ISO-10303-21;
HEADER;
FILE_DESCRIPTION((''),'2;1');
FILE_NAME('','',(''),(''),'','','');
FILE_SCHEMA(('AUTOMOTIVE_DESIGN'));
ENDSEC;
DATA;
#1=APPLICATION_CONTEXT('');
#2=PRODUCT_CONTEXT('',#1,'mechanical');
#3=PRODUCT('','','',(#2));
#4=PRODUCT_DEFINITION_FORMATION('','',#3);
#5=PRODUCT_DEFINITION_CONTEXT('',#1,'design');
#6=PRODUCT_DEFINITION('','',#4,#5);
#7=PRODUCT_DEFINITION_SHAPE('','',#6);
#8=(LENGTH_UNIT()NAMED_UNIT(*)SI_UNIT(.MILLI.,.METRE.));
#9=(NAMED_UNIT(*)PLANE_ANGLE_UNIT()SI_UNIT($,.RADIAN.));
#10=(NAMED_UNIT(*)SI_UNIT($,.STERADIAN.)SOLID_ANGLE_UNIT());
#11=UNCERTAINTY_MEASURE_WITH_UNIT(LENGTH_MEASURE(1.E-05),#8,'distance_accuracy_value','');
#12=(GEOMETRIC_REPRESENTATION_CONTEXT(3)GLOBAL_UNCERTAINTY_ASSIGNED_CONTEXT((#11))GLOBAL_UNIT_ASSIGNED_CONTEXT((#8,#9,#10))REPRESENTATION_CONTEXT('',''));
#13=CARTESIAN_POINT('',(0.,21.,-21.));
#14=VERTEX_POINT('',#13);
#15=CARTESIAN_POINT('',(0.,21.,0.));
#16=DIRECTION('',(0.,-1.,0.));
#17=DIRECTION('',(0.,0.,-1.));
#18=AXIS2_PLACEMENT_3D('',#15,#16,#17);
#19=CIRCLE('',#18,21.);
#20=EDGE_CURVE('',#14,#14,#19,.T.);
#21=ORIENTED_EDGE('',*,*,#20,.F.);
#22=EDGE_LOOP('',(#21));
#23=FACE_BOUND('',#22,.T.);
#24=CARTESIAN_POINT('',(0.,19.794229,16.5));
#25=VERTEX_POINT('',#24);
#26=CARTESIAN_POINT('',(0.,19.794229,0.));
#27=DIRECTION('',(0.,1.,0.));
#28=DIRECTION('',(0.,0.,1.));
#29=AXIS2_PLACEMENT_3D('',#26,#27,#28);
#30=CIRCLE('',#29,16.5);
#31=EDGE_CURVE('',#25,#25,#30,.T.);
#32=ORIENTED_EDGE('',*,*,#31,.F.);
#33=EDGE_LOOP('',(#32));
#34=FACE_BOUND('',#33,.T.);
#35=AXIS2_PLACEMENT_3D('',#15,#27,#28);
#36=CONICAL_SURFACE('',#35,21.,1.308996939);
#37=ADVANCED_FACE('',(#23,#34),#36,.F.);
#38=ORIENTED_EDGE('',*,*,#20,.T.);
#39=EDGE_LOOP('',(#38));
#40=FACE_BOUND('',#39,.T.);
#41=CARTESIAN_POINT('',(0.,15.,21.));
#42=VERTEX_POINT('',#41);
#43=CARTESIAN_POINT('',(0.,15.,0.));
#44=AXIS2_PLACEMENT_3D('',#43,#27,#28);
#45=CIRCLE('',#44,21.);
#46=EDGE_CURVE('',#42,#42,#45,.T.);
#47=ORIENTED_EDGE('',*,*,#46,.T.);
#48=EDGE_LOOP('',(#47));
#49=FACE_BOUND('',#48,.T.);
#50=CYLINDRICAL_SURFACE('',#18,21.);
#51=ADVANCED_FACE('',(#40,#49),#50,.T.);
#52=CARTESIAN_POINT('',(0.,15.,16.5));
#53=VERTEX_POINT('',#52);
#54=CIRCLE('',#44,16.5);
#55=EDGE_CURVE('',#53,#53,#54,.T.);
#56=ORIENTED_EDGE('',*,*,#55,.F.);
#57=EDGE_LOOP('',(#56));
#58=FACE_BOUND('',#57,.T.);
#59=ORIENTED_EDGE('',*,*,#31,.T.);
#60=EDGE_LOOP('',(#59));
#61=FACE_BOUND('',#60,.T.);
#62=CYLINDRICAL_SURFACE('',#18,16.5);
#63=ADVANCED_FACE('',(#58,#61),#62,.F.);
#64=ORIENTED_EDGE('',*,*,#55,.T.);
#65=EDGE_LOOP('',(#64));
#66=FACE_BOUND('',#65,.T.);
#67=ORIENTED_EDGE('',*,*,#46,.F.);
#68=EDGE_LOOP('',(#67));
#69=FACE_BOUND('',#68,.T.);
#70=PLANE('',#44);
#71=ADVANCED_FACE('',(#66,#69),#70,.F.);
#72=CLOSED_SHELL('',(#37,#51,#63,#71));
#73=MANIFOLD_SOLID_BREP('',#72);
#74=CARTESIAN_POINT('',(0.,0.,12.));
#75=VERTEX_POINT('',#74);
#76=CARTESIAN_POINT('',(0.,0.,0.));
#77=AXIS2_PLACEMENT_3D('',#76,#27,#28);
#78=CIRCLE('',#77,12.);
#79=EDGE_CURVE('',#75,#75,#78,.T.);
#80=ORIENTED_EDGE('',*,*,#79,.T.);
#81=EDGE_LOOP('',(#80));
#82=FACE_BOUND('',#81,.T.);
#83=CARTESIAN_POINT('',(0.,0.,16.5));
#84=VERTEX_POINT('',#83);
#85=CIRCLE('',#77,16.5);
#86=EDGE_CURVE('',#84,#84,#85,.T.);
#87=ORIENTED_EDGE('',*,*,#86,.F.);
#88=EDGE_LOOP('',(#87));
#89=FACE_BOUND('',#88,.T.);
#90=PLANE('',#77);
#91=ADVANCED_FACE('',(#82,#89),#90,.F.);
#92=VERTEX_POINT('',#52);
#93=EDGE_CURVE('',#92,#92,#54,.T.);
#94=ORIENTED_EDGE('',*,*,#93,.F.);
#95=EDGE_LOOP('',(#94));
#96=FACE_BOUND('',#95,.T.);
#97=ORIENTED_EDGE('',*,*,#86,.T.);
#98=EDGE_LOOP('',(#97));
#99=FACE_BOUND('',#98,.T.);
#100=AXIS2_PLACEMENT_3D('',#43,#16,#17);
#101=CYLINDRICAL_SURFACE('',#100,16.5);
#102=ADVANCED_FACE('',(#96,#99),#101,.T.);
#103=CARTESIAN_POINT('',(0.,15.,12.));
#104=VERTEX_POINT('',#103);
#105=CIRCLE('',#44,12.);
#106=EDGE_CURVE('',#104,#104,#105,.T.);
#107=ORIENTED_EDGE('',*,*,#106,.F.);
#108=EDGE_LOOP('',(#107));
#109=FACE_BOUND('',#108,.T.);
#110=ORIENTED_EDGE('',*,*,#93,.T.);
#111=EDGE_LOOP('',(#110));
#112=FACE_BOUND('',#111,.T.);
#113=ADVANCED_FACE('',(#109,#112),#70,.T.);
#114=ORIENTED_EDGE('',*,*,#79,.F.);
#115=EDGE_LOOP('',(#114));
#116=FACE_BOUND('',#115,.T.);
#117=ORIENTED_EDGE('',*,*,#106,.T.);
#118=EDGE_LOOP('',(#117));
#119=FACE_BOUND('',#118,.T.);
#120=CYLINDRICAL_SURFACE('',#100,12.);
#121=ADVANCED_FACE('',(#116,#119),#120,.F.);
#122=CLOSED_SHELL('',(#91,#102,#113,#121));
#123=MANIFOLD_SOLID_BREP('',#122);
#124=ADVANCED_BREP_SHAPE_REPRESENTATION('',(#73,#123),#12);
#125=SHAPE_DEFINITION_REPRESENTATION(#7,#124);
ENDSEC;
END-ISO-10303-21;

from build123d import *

# Parameters (mm, degrees)
SKETCH1_R           = 16.5
SKETCH1_R_2         = 12
BOSS_EXTRUDE1_DEPTH = 15
SKETCH2_R           = 21
SKETCH2_R_2         = 16.5
BOSS_EXTRUDE2_DEPTH = 6


with BuildPart() as part:
    # Sketch1 → Boss-Extrude1 (new body)
    with BuildSketch(Plane(origin=(0, 0, 0), x_dir=(1, 0, 0), z_dir=(0, 1, 0))):
        with Locations(Location((0, 0, 0), (0, 0, 270))):
            Circle(SKETCH1_R)
        with Locations(Location((0, 0, 0), (0, 0, 270))):
            Circle(SKETCH1_R_2, mode=Mode.SUBTRACT)
    extrude(amount=BOSS_EXTRUDE1_DEPTH)


with BuildPart() as body_2:
    # Sketch2 → Boss-Extrude2 (new body)
    with BuildSketch(Plane(origin=(0, 15, 0), x_dir=(1, 0, 0), z_dir=(0, 1, 0))):
        with Locations(Location((0, 0, 0), (0, 0, 270))):
            Circle(SKETCH2_R)
        with Locations(Location((0, 0, 0), (0, 0, 270))):
            Circle(SKETCH2_R_2, mode=Mode.SUBTRACT)
    extrude(amount=BOSS_EXTRUDE2_DEPTH)

    # Sketch3 → Cut-Revolve1 (revolve, cut)
    with BuildSketch(Plane.XY, mode=Mode.PRIVATE) as cut_revolve1_sk:
        Polygon((0, 21), (-21, 21), (0, 15.373066959), align=None)
    revolve(cut_revolve1_sk.sketch.rotate(Axis((0, 0, 0), (0, 1, 0)), 90), axis=Axis((0, 0, 0), (0, 1, 0)), mode=Mode.SUBTRACT)


solid = Compound([part.part, body_2.part])
